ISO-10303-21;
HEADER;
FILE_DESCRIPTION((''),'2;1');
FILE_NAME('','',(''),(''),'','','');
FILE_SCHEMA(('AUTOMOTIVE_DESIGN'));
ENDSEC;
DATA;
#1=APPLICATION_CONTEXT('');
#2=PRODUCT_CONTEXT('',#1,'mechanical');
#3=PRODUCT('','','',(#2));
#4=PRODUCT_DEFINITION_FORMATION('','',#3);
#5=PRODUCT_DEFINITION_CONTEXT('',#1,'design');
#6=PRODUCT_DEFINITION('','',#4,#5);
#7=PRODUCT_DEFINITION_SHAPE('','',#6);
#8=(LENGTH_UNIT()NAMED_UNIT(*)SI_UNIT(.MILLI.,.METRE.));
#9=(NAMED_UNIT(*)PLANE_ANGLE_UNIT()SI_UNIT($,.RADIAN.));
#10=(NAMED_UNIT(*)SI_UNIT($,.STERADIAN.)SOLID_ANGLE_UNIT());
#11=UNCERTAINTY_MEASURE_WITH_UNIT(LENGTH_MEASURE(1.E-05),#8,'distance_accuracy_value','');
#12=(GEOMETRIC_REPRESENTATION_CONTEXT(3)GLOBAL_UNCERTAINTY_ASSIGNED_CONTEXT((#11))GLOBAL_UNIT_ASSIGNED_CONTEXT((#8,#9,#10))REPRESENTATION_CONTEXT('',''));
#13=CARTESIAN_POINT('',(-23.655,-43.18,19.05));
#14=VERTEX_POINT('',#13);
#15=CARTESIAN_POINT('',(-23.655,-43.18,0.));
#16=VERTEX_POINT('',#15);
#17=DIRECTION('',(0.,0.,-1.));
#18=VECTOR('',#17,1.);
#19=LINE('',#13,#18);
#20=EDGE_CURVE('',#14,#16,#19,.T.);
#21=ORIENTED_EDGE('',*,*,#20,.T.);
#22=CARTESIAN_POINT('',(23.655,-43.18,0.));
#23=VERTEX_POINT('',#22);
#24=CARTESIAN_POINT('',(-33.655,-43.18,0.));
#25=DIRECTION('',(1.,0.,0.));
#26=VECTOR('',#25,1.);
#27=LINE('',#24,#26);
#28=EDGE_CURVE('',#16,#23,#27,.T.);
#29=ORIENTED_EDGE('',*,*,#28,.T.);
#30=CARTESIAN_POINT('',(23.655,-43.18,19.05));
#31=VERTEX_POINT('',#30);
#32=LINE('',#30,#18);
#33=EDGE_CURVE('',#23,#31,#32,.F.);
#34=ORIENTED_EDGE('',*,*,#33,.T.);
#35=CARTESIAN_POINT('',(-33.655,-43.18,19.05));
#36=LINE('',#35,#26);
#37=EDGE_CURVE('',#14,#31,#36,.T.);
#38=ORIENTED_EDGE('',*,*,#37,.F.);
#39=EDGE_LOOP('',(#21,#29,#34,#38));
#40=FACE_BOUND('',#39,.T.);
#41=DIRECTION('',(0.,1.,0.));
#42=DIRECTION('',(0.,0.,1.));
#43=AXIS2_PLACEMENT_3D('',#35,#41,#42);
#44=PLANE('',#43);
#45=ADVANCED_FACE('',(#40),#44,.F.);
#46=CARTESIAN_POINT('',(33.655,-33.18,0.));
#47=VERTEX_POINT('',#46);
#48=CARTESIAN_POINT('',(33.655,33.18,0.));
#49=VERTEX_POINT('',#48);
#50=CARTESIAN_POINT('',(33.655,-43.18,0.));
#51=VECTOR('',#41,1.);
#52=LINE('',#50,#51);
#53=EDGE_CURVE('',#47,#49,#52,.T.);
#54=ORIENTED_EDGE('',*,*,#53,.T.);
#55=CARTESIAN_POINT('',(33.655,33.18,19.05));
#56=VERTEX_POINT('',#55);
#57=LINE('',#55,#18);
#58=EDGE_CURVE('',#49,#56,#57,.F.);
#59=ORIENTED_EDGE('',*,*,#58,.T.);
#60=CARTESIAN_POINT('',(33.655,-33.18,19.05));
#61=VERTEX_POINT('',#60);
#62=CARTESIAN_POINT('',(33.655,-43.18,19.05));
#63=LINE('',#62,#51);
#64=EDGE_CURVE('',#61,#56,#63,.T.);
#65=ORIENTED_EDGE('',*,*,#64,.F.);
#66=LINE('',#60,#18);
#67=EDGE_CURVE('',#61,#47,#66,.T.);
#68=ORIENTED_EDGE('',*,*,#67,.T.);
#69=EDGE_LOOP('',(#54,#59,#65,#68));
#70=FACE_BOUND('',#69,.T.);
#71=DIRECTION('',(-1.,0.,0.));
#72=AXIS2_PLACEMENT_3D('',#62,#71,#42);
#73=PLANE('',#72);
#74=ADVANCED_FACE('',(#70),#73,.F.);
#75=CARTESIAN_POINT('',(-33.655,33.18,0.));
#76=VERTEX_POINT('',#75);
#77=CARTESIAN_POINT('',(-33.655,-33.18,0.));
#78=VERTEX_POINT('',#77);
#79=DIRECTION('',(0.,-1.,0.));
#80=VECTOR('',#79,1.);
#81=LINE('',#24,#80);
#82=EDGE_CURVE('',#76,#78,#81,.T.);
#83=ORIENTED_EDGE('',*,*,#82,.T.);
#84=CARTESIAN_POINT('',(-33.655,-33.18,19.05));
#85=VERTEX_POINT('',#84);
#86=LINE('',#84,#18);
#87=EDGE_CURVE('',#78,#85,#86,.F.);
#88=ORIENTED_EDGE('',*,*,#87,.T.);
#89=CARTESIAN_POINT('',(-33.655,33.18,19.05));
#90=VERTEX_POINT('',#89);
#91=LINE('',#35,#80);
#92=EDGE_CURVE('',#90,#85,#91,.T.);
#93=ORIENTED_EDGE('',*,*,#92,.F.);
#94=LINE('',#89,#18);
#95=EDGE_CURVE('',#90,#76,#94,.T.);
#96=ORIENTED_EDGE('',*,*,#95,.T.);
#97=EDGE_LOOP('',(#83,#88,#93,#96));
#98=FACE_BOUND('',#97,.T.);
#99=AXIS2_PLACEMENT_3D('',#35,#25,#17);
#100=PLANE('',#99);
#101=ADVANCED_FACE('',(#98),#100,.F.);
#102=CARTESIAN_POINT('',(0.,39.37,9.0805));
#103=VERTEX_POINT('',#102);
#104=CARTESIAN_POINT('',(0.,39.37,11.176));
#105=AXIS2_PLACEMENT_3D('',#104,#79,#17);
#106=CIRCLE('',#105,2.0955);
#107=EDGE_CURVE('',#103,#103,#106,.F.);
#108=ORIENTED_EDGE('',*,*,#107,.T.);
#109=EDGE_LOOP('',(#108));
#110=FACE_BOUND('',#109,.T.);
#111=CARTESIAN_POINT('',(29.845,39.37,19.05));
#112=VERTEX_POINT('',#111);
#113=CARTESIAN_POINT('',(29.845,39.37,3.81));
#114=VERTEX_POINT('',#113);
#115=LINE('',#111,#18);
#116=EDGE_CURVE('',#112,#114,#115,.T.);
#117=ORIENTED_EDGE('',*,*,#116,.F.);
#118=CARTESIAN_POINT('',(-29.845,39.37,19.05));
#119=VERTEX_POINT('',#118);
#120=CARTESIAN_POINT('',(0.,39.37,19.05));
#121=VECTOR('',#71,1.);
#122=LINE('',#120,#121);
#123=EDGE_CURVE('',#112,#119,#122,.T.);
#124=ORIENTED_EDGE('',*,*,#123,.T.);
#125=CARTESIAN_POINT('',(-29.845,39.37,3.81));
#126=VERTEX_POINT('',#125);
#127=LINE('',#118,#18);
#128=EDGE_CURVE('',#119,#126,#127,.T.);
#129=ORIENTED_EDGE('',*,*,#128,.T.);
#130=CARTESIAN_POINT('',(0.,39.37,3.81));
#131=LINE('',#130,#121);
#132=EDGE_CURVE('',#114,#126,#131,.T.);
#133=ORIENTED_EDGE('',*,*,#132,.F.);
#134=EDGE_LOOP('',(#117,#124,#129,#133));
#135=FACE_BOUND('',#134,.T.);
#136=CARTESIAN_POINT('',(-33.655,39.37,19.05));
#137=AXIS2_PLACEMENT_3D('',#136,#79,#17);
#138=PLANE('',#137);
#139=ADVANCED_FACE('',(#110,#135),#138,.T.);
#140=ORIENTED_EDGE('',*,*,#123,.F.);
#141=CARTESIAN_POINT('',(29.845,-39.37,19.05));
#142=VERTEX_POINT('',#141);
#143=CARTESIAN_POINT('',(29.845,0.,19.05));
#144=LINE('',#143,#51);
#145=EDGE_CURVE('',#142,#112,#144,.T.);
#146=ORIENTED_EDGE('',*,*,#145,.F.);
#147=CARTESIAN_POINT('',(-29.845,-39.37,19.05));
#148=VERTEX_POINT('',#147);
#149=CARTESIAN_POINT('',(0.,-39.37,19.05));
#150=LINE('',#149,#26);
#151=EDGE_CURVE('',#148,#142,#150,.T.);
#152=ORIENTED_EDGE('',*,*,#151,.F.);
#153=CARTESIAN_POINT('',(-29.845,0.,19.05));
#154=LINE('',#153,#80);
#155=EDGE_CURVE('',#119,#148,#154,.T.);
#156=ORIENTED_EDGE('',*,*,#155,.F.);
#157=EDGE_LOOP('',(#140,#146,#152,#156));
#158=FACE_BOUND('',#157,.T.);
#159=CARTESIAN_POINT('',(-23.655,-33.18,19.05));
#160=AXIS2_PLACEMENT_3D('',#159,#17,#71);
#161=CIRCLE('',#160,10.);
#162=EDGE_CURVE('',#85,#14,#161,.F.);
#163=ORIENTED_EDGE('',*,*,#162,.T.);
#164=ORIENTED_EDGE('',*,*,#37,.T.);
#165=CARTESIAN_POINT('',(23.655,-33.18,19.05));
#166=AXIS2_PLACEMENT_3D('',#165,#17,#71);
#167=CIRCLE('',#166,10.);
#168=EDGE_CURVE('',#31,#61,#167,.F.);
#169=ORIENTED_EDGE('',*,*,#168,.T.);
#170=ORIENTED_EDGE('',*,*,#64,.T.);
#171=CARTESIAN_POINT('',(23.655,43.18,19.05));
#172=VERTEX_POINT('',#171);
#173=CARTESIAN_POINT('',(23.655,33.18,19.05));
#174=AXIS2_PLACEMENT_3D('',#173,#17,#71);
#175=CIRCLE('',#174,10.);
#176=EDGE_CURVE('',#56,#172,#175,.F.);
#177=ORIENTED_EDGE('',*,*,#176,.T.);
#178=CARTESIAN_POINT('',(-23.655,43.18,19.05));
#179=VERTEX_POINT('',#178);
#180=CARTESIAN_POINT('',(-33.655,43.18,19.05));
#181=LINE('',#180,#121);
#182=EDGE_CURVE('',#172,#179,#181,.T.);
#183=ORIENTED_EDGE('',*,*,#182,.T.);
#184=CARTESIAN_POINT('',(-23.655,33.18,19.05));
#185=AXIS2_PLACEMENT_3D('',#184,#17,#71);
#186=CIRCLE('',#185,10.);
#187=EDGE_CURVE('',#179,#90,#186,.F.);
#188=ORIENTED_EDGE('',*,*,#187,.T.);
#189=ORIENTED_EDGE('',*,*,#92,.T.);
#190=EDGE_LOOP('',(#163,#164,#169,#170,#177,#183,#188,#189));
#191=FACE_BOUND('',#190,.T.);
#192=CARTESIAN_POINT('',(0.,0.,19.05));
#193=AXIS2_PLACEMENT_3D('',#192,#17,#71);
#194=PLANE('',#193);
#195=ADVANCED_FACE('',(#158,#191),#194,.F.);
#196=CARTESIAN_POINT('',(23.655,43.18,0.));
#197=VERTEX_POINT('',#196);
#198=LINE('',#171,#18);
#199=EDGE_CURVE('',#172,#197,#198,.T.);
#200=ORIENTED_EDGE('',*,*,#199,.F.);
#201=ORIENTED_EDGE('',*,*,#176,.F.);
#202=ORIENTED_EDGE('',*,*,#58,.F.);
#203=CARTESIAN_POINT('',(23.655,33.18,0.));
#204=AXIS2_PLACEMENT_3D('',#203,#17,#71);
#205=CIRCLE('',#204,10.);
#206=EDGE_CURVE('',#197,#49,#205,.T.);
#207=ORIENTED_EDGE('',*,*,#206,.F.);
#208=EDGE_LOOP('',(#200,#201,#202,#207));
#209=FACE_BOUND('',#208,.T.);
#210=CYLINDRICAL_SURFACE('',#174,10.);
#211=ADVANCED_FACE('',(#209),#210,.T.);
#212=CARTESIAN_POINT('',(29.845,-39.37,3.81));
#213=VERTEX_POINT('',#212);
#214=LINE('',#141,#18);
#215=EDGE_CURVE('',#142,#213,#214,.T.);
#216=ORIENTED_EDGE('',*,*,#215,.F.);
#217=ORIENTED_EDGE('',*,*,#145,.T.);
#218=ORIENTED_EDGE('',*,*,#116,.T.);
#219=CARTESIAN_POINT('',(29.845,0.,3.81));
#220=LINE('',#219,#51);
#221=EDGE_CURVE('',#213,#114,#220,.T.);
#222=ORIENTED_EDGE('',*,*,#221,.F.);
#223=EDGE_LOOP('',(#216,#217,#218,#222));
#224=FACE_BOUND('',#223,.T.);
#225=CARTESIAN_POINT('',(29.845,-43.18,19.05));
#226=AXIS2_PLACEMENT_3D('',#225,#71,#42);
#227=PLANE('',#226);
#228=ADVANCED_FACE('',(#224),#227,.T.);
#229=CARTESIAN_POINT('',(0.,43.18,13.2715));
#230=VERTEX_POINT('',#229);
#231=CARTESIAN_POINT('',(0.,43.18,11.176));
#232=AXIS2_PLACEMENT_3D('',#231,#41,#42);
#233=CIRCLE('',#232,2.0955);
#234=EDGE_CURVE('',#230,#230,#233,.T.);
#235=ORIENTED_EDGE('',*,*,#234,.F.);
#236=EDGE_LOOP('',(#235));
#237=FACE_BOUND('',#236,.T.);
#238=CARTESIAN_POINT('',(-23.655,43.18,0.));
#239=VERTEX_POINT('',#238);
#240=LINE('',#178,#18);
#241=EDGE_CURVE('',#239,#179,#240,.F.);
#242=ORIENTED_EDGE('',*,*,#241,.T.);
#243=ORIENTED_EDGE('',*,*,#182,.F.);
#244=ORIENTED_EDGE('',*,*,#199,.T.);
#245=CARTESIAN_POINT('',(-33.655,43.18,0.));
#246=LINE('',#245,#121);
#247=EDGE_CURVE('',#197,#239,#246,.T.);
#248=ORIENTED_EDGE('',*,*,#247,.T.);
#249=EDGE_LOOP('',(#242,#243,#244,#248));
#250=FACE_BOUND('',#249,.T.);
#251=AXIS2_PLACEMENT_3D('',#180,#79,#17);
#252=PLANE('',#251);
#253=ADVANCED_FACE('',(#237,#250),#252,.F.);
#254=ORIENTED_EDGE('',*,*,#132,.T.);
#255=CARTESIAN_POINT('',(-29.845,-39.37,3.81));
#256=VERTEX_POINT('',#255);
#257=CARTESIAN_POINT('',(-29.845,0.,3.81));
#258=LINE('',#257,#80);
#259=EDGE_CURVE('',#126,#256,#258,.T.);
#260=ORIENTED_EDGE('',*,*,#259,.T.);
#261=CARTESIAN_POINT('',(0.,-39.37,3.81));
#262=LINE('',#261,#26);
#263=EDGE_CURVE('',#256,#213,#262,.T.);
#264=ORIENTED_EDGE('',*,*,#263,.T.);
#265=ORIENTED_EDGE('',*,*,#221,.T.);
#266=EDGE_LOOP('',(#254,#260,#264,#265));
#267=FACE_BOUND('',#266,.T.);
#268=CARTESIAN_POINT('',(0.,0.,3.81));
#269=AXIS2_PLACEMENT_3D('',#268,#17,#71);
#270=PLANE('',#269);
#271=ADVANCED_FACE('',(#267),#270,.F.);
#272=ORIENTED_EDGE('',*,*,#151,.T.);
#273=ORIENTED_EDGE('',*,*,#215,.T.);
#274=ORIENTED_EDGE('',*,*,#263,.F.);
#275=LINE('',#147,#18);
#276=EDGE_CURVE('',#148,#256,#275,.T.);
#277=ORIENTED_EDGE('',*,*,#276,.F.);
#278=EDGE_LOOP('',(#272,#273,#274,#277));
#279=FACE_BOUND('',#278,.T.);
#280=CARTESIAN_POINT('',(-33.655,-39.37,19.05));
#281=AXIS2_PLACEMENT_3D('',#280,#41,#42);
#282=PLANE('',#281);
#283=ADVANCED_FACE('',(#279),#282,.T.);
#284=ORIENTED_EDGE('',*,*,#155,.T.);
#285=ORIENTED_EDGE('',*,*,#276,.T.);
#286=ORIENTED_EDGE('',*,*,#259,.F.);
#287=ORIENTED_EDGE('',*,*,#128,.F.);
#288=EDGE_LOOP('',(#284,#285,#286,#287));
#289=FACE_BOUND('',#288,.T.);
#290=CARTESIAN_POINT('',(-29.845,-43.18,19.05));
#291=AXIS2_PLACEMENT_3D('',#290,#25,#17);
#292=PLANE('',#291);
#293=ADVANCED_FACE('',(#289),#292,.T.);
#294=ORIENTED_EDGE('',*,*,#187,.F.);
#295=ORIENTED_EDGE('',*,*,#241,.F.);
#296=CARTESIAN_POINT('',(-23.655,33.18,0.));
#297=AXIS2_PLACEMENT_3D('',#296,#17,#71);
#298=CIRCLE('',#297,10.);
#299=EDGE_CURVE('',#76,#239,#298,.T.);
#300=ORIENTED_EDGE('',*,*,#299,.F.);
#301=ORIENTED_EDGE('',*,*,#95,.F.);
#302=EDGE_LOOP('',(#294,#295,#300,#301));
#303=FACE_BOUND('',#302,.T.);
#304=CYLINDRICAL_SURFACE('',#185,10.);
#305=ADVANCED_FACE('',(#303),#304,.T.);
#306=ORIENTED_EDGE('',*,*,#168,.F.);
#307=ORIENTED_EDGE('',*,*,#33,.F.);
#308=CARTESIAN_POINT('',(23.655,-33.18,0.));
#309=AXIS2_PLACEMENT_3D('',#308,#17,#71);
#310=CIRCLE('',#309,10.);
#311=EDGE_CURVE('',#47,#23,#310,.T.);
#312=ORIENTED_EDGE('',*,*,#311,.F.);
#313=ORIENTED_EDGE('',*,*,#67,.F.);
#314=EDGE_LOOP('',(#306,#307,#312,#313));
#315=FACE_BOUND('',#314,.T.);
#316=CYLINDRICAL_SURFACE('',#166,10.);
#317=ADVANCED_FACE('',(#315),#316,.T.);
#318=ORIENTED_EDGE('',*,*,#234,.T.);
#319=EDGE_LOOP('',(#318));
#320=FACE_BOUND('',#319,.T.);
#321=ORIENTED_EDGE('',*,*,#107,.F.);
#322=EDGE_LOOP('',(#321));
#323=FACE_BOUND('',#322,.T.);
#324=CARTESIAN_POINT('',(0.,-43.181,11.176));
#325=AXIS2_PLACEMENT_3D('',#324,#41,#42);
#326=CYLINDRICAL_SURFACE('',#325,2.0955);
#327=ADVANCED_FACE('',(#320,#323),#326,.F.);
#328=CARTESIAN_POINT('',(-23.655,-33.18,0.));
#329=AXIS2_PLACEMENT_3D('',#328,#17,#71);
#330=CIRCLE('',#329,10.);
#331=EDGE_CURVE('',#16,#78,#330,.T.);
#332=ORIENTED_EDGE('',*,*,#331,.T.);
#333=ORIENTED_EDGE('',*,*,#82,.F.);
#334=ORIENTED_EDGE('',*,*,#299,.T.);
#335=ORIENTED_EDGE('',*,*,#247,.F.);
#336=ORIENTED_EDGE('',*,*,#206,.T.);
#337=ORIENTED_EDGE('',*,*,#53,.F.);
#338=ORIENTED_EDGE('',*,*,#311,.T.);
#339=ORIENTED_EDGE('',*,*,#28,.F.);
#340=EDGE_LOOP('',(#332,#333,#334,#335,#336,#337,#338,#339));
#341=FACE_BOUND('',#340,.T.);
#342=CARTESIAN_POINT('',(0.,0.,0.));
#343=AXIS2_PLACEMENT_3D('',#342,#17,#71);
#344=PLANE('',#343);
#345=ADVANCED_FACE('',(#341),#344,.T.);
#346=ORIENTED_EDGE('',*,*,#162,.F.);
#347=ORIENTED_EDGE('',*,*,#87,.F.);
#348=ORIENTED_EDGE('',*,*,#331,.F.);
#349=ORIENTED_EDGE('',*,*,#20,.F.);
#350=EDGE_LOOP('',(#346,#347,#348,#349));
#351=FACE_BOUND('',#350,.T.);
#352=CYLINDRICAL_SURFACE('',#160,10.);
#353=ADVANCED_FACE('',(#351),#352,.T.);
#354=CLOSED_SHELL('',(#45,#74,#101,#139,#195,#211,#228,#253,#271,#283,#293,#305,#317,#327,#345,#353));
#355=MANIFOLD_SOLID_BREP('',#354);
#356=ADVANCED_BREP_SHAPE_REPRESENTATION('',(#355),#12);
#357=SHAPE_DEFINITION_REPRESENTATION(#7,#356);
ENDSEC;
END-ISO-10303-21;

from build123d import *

# Parameters (mm, degrees)
SKETCH1_W           = 67.31
SKETCH1_H           = 86.36
BOSS_EXTRUDE1_DEPTH = 19.05
SHELL1_T            = -3.81
FILLET3_R           = 10
CUT_EXTRUDE1_REACH  = 96.624
SKETCH2_R           = 2.0955


with BuildPart() as part:
    # Sketch1 → Boss-Extrude1 (new body)
    with BuildSketch(Plane.XY):
        Rectangle(SKETCH1_W, SKETCH1_H)
    extrude(amount=BOSS_EXTRUDE1_DEPTH)

    # Shell1
    shell1_openings = [part.faces().sort_by_distance(p)[0] for p in [
        (0, 0, 19.05),
    ]]
    offset(amount=SHELL1_T, openings=shell1_openings, kind=Kind.INTERSECTION)

    # Fillet3
    fillet3_edges = [part.edges().sort_by_distance(p)[0] for p in [
        (33.655, -43.18, 9.525),
        (-33.655, -43.18, 9.525),
        (-33.655, 43.18, 9.525),
        (33.655, 43.18, 9.525),
    ]]
    fillet(fillet3_edges, radius=FILLET3_R)

    # Sketch2 → Cut-Extrude1 (cut, up to next)
    with BuildSketch(Plane(origin=(0, 43.18, 0), x_dir=(1, 0, 0), z_dir=(0, 1, 0)), mode=Mode.PRIVATE) as cut_extrude1_sk1:
        with Locations(Location((0, -11.176, 0), (0, 0, 270))):
            Circle(SKETCH2_R)
    cut_extrude1_tool1 = extrude(cut_extrude1_sk1.sketch, amount=-CUT_EXTRUDE1_REACH, mode=Mode.PRIVATE) & part.part
    add(cut_extrude1_tool1.solids().sort_by_distance((0, 43.18, 11.176))[0], mode=Mode.SUBTRACT)


solid = part.part
